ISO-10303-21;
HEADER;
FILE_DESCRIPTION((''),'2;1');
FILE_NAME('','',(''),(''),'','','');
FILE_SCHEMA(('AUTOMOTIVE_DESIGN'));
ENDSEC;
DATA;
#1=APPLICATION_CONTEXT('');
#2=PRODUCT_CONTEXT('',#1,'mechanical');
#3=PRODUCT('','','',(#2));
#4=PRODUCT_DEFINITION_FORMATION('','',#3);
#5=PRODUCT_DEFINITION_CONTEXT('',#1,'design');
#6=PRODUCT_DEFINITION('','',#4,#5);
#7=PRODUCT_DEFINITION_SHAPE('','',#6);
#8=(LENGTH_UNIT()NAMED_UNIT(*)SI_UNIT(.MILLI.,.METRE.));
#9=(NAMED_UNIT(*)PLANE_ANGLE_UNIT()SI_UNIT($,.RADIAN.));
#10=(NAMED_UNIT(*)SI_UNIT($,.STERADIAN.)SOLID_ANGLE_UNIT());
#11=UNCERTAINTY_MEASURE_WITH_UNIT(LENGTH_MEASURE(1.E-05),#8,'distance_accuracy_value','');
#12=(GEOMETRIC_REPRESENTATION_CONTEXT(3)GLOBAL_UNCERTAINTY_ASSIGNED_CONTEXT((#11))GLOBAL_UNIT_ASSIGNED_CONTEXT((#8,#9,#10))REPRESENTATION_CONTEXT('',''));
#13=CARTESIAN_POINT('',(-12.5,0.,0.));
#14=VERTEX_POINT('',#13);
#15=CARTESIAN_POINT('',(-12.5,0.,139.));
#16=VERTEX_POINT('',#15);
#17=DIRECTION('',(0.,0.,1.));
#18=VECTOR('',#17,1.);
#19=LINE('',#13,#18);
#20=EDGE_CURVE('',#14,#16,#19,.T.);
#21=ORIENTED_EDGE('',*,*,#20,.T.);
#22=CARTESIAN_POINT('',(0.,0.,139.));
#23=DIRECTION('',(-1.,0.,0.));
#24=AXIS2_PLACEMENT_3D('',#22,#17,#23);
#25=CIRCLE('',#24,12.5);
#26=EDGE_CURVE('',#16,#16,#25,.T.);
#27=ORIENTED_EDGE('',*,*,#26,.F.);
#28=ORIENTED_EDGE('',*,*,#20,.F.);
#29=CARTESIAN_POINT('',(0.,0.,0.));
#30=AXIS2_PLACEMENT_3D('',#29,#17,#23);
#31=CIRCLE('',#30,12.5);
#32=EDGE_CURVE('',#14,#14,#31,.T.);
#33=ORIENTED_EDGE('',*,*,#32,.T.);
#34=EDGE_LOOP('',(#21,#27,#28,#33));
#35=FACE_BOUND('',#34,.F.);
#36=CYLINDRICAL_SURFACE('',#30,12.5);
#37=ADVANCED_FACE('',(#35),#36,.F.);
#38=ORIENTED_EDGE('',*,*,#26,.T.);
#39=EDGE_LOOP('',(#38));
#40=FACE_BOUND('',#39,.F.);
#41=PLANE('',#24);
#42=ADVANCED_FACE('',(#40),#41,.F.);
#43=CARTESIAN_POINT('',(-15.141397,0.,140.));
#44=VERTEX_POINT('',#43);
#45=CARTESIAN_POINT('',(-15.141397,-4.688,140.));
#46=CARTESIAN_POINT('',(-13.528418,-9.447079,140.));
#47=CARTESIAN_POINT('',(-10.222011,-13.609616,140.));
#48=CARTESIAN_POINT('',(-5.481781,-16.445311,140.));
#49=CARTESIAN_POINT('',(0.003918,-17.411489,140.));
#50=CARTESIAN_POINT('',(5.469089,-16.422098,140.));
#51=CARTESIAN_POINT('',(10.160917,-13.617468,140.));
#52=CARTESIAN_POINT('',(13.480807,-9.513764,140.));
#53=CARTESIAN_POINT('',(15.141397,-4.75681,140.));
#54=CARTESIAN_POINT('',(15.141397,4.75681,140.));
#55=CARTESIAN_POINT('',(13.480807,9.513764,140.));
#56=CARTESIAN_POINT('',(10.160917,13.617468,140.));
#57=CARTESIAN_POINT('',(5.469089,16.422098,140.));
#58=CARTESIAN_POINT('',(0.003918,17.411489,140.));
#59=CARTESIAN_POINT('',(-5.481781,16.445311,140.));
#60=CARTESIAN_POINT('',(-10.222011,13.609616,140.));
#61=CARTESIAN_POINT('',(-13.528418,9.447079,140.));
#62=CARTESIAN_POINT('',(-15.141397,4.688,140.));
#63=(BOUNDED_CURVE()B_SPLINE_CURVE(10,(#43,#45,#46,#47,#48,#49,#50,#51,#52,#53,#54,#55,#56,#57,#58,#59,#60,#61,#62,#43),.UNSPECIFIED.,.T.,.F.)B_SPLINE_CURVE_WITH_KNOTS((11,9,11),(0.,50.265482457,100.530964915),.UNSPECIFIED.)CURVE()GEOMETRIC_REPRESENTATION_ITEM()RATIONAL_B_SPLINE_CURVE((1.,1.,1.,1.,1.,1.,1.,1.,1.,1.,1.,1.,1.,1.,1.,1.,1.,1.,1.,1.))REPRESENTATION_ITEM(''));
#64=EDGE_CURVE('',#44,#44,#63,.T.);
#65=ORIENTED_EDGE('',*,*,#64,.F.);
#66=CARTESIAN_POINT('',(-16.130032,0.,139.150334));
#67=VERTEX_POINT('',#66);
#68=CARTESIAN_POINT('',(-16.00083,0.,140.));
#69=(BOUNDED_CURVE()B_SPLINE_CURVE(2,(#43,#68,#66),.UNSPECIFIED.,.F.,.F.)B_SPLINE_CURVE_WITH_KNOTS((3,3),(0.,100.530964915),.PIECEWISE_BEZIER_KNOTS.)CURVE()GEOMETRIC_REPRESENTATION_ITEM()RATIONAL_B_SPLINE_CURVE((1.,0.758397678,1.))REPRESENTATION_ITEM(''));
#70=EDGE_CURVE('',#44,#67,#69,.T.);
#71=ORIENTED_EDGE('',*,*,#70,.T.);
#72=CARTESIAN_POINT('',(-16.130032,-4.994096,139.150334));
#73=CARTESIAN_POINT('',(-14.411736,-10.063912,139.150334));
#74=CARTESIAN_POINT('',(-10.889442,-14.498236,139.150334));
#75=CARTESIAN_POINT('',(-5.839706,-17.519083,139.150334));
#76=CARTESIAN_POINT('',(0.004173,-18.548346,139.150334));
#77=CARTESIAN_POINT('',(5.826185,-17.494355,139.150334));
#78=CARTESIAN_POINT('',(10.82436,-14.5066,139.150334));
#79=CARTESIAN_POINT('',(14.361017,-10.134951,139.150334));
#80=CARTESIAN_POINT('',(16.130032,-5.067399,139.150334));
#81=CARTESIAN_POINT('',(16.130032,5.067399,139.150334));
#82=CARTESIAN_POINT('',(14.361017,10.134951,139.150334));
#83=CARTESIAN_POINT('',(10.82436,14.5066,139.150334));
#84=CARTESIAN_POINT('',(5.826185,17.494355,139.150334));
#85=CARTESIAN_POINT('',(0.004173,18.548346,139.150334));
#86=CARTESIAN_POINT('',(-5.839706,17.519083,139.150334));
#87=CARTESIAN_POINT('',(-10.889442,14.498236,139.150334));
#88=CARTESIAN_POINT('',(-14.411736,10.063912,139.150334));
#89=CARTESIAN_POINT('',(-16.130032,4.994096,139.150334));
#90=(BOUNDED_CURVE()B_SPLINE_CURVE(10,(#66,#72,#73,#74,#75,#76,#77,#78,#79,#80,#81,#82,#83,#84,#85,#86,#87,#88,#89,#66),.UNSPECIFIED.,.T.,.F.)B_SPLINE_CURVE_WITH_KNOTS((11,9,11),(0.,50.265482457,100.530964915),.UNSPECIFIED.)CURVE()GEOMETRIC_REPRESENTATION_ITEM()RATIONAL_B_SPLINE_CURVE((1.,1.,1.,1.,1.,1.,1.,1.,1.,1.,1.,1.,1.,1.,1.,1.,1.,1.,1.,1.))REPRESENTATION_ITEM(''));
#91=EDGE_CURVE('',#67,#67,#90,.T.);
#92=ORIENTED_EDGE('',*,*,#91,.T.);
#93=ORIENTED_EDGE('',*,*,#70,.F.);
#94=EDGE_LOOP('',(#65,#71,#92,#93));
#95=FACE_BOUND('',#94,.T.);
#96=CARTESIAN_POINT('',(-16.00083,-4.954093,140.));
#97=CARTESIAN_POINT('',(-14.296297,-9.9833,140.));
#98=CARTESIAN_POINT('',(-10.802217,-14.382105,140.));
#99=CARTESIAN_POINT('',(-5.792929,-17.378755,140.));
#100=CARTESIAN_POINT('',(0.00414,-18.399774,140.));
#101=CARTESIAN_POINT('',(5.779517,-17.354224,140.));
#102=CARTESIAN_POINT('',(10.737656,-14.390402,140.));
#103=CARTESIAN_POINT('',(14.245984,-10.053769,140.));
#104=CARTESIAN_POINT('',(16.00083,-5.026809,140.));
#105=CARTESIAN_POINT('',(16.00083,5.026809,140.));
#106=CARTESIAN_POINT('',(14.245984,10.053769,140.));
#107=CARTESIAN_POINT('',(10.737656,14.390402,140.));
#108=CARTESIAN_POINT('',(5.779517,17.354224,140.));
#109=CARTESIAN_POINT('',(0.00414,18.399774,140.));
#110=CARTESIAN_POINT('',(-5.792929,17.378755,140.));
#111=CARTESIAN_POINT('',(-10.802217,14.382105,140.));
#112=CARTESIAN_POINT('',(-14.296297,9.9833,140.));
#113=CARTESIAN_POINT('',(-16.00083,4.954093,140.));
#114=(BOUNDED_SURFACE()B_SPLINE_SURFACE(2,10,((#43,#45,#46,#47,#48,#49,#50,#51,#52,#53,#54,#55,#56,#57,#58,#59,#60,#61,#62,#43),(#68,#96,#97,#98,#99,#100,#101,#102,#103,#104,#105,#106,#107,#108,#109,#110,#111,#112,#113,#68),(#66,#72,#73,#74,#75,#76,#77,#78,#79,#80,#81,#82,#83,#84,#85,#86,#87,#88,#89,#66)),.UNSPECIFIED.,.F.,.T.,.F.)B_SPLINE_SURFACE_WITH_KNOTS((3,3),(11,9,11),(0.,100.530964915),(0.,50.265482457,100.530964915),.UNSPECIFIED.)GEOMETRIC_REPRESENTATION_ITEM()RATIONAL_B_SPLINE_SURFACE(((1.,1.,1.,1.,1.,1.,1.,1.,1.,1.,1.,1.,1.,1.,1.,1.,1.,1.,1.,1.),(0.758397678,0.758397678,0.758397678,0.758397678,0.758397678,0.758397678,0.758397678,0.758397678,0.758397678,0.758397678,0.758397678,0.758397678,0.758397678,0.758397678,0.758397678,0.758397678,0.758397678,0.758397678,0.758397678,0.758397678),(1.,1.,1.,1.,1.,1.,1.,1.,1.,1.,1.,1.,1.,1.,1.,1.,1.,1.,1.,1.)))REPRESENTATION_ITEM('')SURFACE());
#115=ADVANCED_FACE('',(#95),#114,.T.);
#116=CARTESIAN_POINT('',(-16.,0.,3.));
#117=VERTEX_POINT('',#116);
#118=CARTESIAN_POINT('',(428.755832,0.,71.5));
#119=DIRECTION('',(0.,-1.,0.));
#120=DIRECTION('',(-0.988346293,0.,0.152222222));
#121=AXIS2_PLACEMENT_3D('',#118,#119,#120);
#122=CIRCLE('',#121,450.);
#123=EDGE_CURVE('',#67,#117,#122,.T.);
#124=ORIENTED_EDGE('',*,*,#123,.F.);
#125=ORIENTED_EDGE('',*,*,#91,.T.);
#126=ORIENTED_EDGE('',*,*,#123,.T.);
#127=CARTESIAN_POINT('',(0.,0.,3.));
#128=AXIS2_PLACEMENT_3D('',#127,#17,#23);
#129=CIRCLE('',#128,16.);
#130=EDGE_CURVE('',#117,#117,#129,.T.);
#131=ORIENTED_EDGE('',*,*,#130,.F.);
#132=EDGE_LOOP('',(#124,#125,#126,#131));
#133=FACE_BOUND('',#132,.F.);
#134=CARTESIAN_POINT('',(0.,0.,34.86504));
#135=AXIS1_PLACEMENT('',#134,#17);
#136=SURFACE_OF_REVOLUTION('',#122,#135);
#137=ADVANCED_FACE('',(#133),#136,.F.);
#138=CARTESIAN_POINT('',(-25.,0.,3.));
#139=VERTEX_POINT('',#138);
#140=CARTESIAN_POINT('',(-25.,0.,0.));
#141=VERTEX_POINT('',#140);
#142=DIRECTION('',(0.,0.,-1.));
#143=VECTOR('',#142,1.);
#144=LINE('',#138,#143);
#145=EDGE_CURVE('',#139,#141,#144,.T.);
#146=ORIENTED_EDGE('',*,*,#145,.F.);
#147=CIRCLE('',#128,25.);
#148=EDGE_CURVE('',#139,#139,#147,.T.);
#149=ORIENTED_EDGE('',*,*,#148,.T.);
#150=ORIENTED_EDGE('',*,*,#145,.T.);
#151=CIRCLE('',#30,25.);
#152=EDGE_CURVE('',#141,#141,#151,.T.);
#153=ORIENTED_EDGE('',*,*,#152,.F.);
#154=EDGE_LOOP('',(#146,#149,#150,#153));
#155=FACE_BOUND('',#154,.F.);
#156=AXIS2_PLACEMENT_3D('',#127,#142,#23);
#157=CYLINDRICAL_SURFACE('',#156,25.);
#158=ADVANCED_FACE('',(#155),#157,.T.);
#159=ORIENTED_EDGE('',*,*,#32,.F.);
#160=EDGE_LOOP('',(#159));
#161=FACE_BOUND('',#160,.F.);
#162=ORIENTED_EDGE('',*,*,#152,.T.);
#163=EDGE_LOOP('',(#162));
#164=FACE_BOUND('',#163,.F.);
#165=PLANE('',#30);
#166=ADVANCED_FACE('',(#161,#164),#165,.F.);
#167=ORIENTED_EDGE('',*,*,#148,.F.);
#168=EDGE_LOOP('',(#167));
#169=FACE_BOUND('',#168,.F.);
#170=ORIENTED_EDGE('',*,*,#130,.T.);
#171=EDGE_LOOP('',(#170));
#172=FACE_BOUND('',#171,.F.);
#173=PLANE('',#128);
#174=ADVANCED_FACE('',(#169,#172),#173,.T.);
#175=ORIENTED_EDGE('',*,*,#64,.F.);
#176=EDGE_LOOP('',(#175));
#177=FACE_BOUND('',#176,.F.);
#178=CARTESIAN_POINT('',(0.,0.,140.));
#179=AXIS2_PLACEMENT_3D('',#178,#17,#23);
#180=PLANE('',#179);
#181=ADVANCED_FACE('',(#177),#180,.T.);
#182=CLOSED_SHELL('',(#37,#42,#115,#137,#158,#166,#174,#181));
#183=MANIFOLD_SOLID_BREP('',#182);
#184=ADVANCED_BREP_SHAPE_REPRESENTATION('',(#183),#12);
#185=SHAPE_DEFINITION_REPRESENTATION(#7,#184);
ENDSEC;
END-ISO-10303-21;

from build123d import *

# Parameters (mm, degrees)
F2_R = 1


with BuildPart() as f1:
    # F0 (on Front) → F1 (revolve)
    with BuildSketch(Plane.XZ):
        with BuildLine():
            Line((-25, 3), (-25, 0))
            Line((-25, 0), (-12.5, 0))
            Line((-12.5, 0), (-12.5, 139))
            Line((-12.5, 139), (0, 139))
            Line((0, 139), (0, 140))
            Line((0, 140), (-12.5, 140))
            Line((-12.5, 140), (-16, 140))
            ThreePointArc((-16, 140), (-21.2441681102, 71.5), (-16, 3))
            Line((-16, 3), (-25, 3))
        make_face()
    revolve(axis=Axis((0, 0, 34.8650403321), (0, 0, 1)))

    # F2
    f2_edges = [f1.edges().sort_by_distance(p)[0] for p in [
        (16, 0, 140),
    ]]
    fillet(f2_edges, radius=F2_R)


solid = f1.part
